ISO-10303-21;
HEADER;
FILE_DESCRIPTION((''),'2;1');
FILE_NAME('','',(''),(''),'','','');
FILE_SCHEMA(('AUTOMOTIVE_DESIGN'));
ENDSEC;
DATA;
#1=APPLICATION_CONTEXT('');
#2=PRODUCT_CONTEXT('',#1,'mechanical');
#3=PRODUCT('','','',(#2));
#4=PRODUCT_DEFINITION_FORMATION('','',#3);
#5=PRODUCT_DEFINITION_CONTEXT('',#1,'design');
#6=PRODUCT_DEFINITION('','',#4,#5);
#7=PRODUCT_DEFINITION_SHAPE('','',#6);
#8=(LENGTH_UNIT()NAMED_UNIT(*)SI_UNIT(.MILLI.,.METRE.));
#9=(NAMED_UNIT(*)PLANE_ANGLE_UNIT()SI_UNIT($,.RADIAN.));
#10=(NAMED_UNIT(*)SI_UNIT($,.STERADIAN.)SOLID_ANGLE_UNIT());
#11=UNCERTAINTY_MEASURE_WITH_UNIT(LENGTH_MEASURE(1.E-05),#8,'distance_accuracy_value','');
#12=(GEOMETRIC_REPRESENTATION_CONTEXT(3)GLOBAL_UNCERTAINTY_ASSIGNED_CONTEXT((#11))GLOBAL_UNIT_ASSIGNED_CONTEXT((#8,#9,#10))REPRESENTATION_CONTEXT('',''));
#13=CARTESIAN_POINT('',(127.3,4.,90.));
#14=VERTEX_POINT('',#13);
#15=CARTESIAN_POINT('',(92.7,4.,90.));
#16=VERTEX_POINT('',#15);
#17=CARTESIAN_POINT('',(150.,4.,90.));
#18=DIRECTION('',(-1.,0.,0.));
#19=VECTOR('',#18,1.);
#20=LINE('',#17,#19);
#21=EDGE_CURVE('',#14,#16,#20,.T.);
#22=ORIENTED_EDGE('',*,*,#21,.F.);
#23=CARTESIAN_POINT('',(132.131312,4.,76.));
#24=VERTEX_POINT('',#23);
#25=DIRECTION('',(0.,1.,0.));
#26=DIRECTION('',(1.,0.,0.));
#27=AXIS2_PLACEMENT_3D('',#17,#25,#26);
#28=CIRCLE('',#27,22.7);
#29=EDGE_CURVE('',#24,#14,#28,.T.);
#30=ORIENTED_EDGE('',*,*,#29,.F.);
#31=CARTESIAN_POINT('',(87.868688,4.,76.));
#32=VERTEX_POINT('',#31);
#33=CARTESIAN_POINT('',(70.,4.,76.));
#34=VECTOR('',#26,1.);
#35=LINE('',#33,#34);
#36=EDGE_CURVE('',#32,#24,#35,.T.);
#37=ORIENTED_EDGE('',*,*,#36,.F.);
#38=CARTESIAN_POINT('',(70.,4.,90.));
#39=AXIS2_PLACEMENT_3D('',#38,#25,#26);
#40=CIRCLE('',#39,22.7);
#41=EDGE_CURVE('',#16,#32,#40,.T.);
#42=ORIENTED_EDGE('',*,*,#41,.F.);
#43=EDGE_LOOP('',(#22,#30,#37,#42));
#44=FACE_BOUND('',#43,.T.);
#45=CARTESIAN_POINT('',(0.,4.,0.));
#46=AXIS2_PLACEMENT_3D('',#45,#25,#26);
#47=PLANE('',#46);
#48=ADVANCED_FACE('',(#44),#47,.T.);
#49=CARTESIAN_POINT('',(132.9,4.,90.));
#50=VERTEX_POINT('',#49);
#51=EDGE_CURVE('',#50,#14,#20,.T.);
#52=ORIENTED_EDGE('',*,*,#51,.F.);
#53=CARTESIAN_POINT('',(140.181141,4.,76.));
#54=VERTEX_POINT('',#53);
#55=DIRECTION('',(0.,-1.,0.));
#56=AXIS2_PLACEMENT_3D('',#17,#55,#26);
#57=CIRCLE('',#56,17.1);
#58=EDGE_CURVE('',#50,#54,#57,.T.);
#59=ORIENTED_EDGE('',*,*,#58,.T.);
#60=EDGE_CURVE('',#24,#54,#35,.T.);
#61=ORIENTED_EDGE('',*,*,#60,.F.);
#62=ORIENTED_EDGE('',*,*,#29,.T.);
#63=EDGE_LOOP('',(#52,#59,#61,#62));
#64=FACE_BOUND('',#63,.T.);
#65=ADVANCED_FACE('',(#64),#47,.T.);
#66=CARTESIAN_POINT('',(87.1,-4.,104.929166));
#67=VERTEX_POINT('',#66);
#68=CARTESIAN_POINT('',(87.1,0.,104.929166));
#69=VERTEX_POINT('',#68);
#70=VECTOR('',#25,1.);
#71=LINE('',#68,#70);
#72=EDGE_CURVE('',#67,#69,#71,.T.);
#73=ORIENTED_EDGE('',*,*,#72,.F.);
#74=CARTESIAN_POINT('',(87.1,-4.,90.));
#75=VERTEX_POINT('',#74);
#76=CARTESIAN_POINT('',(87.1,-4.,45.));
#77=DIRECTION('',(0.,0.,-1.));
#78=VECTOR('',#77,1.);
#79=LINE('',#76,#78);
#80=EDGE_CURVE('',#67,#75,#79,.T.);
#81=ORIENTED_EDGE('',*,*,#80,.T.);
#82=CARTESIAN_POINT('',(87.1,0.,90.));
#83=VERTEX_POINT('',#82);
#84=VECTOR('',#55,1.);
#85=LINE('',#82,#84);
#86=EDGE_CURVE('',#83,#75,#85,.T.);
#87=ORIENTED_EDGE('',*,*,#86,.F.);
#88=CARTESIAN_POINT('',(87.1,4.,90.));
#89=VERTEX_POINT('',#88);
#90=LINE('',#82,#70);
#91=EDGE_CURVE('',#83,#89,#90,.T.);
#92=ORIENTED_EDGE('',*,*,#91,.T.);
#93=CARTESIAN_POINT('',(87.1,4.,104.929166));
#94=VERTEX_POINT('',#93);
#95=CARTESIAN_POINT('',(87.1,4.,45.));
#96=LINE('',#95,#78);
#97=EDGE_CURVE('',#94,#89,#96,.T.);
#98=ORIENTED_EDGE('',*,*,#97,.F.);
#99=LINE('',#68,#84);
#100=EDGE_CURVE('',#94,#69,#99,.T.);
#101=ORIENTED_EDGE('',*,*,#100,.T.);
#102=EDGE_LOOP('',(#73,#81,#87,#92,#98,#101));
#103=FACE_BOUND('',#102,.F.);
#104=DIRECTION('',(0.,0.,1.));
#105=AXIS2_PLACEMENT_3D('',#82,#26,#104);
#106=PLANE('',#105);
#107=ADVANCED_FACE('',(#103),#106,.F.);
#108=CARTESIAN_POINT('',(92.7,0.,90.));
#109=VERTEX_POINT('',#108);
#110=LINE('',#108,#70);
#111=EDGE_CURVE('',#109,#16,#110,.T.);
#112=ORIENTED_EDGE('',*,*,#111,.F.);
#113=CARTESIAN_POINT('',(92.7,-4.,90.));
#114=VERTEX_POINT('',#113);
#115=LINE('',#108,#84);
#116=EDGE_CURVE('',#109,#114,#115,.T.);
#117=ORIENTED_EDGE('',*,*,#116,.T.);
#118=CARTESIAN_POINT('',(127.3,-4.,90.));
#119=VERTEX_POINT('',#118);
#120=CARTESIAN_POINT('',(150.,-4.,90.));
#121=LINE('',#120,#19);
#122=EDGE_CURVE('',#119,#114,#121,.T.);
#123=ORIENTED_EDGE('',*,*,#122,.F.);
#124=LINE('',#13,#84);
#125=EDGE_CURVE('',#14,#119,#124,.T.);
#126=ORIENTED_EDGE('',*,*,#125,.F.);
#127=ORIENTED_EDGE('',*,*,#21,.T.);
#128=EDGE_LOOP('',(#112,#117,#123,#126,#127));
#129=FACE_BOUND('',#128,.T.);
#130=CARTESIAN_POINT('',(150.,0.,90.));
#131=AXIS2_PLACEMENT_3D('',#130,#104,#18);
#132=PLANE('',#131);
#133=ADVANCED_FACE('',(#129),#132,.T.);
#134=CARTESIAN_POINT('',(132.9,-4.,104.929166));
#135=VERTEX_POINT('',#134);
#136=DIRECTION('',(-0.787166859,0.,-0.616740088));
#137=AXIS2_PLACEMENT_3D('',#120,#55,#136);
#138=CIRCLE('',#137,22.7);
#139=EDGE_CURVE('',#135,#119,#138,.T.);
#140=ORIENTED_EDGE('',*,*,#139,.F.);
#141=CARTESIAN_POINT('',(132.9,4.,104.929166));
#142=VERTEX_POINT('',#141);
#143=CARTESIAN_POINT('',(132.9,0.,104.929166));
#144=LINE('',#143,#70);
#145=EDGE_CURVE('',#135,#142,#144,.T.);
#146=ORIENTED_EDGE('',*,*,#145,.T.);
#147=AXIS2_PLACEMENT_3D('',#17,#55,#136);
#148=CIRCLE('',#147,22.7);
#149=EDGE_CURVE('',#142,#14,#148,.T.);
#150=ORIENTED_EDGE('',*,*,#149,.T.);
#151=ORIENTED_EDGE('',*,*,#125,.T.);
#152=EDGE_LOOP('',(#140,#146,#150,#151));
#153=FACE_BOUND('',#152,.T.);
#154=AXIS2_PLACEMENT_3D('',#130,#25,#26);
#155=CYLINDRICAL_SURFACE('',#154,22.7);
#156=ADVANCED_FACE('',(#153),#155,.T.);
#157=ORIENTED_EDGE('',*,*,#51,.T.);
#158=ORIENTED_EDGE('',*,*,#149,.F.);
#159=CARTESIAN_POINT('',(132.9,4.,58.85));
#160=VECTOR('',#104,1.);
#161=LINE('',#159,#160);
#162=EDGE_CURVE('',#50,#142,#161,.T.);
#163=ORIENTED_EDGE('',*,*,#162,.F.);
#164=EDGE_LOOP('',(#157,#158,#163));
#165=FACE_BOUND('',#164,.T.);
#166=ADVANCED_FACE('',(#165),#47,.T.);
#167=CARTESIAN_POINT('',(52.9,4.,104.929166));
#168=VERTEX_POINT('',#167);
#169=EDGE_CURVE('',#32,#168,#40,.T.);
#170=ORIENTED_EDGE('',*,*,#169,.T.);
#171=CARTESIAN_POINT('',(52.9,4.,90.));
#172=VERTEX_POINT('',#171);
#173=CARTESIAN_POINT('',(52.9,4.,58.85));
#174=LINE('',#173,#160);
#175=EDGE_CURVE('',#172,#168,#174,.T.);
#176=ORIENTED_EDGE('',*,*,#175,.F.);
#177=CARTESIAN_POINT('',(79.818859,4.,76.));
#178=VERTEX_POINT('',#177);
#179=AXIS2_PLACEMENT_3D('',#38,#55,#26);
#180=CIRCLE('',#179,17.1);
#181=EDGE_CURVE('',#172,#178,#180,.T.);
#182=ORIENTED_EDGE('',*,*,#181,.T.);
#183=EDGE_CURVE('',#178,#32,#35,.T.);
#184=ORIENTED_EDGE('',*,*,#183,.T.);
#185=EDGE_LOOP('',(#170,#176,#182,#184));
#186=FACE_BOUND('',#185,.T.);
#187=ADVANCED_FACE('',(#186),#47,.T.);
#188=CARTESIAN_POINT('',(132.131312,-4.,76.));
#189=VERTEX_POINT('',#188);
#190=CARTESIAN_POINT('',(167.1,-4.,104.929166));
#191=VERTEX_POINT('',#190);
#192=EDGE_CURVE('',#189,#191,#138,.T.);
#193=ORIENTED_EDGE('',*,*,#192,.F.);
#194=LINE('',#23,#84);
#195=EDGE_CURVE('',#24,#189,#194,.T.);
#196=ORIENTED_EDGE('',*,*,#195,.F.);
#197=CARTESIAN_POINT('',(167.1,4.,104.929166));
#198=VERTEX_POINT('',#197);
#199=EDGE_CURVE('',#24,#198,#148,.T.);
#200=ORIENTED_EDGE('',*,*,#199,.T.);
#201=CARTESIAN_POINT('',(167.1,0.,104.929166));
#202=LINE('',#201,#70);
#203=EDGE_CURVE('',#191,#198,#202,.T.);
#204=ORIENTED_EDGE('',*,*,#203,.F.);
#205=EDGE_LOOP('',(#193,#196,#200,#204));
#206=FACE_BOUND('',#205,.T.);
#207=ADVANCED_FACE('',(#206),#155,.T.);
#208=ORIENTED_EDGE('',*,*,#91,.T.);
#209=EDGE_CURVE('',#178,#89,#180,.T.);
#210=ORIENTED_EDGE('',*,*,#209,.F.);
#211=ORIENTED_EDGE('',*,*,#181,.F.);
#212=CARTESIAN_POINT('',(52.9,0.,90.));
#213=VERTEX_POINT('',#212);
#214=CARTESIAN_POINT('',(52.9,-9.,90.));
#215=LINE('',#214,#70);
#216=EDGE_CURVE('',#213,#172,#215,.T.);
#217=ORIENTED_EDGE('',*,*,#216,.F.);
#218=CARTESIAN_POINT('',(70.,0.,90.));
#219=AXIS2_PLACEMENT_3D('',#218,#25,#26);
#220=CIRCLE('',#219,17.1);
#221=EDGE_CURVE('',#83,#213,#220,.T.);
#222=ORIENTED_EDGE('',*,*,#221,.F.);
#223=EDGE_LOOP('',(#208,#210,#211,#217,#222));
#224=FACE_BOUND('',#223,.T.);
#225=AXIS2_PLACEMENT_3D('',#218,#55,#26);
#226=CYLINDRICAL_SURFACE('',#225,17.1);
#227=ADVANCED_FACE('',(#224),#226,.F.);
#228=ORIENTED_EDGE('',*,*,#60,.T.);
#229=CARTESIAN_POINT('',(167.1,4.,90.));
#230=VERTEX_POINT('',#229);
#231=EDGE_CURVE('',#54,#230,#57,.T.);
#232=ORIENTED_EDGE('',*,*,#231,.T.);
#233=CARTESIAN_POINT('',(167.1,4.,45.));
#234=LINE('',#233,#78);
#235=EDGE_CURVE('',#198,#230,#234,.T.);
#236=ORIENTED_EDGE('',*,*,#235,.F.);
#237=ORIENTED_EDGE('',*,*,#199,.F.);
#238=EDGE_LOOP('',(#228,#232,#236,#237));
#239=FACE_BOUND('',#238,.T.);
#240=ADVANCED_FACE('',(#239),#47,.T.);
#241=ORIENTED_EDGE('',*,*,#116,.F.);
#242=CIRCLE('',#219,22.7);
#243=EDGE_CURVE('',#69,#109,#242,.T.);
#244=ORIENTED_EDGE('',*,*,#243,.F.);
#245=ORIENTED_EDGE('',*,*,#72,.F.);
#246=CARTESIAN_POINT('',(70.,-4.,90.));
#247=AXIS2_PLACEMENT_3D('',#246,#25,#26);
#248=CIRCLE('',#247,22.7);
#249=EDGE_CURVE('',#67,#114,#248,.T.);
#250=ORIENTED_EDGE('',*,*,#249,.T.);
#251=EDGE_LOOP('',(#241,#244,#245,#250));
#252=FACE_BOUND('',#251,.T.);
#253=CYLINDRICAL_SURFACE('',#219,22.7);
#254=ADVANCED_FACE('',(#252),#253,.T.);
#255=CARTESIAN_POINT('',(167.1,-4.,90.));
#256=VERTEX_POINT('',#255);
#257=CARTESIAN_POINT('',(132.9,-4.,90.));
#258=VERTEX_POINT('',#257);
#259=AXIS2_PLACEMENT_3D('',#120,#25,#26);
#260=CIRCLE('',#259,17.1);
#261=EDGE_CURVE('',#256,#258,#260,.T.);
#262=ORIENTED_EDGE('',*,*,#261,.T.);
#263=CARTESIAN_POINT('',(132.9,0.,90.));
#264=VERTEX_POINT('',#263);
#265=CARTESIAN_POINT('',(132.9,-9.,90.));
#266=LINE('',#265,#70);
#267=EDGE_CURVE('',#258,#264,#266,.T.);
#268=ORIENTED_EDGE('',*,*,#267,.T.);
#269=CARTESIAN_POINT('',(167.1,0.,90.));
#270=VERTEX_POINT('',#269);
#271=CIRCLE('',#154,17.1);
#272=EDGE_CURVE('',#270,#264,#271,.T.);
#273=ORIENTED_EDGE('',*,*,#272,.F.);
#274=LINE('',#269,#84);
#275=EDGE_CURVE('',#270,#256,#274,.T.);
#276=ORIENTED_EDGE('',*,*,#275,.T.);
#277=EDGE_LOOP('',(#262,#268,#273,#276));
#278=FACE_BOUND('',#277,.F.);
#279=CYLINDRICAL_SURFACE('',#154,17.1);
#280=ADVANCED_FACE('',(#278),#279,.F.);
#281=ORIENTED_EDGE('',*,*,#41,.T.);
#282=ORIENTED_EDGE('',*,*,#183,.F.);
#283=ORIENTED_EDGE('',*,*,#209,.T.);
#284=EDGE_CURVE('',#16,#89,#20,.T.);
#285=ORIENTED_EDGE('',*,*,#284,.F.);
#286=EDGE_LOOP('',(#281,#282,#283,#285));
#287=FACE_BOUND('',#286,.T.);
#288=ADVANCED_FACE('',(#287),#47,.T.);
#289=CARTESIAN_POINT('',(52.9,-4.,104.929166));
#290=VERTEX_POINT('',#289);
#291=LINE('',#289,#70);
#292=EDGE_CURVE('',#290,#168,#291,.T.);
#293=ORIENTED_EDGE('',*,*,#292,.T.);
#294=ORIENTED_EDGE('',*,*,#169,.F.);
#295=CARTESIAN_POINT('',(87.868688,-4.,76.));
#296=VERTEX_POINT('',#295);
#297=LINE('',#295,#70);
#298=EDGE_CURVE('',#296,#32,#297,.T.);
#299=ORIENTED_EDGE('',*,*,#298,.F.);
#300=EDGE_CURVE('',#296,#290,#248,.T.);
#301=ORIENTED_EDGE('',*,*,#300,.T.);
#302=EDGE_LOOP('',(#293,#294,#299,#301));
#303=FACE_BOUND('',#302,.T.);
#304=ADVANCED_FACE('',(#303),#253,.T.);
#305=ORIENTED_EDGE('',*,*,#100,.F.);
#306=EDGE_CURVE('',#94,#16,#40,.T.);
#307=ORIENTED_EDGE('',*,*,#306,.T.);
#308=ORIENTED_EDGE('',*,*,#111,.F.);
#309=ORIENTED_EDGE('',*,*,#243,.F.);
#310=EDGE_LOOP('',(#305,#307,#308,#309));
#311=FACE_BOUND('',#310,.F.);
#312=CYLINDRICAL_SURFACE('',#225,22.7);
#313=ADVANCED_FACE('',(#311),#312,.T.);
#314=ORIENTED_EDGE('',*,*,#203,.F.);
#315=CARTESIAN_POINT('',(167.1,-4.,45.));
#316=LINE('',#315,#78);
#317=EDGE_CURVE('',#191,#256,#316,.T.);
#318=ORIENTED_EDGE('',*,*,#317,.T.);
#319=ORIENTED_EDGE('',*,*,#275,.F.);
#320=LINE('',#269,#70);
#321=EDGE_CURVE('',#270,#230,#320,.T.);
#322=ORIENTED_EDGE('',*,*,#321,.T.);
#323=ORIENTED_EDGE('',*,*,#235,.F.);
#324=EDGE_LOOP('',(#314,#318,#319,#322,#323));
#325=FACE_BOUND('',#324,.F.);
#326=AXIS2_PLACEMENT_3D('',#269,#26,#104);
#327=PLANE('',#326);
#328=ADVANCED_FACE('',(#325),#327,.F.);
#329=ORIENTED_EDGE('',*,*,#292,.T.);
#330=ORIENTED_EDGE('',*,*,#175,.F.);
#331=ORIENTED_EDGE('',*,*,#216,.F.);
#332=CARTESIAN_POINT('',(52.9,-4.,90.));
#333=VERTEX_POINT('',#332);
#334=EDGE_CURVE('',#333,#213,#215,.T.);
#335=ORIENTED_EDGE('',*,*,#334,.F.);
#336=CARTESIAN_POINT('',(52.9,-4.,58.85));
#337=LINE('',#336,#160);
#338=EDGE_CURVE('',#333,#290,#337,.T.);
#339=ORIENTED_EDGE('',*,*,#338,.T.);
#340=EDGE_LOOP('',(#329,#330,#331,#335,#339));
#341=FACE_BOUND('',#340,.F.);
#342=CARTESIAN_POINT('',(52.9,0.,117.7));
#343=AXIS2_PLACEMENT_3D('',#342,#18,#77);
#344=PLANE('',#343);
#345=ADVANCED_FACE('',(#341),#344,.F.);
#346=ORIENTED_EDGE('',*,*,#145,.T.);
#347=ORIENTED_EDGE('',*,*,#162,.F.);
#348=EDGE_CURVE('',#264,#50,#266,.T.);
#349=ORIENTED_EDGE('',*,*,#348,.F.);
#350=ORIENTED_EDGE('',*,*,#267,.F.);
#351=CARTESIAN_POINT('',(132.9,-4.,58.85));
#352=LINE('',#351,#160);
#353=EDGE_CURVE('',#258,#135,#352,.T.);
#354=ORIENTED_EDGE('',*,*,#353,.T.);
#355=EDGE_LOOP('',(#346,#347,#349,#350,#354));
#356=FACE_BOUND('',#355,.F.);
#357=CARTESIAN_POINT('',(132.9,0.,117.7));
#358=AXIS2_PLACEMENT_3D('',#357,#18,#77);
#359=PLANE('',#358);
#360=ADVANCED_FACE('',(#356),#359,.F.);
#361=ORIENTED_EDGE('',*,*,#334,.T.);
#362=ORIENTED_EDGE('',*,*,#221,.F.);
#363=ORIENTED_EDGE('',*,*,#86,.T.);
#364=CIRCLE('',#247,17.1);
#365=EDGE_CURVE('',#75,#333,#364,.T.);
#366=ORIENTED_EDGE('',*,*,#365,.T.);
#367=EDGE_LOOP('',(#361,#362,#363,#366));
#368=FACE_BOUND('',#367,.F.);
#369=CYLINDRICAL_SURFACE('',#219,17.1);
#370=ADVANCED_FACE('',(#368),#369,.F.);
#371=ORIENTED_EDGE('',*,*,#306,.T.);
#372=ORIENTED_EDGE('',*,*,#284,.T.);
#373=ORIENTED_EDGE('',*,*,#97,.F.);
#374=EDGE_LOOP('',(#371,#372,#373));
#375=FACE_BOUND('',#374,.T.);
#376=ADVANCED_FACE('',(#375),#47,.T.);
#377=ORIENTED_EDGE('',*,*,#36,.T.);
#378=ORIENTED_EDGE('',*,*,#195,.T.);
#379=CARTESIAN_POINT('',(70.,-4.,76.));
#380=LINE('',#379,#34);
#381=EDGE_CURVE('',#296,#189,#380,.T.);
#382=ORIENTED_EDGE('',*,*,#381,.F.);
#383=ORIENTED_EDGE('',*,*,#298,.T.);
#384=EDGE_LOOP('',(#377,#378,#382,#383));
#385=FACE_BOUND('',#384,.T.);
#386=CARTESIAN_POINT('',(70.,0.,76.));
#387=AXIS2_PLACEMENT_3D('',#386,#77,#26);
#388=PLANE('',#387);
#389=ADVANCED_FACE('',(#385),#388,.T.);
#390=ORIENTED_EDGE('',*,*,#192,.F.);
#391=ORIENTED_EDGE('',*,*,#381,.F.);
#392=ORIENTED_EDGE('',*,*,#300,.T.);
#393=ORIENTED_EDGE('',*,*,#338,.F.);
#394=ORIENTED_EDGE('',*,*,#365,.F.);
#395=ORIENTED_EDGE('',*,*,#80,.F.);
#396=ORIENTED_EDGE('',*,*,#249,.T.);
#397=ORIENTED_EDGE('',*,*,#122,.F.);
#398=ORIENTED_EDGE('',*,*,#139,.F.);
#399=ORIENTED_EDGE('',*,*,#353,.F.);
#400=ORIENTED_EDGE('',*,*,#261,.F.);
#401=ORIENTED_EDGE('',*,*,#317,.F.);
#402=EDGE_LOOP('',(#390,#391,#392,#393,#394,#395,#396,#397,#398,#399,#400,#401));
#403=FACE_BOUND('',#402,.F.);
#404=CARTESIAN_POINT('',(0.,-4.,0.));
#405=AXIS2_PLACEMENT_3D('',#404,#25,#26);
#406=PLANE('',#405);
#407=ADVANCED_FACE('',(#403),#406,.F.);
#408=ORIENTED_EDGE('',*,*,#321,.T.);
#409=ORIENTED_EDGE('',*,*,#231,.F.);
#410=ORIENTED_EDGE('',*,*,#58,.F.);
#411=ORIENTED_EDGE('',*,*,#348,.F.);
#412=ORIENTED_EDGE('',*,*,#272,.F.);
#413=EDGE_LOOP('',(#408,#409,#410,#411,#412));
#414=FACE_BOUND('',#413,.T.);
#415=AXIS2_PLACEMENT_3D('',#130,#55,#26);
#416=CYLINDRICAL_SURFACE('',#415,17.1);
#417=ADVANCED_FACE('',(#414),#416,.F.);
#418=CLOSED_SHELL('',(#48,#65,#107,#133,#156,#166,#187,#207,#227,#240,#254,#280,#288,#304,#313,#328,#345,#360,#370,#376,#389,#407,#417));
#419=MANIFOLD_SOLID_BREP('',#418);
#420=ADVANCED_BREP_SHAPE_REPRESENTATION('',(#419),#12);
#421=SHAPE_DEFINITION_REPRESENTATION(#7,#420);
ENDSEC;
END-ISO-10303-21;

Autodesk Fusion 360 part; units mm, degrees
sketch "Coupon chord" plane through (0, 0, 0) normal (0, 1, 0) x (1, 0, 0)
  line L0 (70, -76) -> (150, -76)
  line L1 (150, -76) -> (150, -90)
  line L2 (150, -90) -> (70, -90)
  line L3 (70, -90) -> (70, -76)
  dimension "d52" = 70
  dimension "d53" = 76
  dimension "d55" = 90
extrude "Coupon chord (1)" add sketch "Coupon chord" along normal mid plane 8
sketch "Saddle boss x=70" plane through (0, 0, 0) normal (0, 1, 0) x (1, 0, 0)
  circle A0 centre (70, -90) radius 22.7
  dimension "d58" = 70
  dimension "d59" = 90
  dimension "d60" = 45.4
extrude "Saddle boss x=70 (1)" add sketch "Saddle boss x=70" along normal mid plane 8
sketch "Saddle boss x=150" plane through (0, 0, 0) normal (0, 1, 0) x (1, 0, 0)
  circle A0 centre (150, -90) radius 22.7
  dimension "d64" = 90
  dimension "d65" = 45.4
extrude "Saddle boss x=150 (1)" add sketch "Saddle boss x=150" along normal mid plane 8
sketch "Rod pocket x=70" plane through (0, 0, 0) normal (0, 1, 0) x (1, 0, 0)
  circle A0 centre (70, -90) radius 17.1
  dimension "d68" = 70
  dimension "d69" = 90
  dimension "d70" = 34.2
extrude "Rod pocket x=70 (1)" cut sketch "Rod pocket x=70" along normal mid plane 18
sketch "Drop-in opening x=70" plane through (0, 0, 0) normal (0, 1, 0) x (1, 0, 0)
  line L0 (52.9, -90) -> (87.1, -90)
  line L1 (87.1, -90) -> (87.1, -117.7)
  line L2 (87.1, -117.7) -> (52.9, -117.7)
  line L3 (52.9, -117.7) -> (52.9, -90)
  dimension "d73" = 52.9
  dimension "d74" = 90
  dimension "d75" = 87.1
  dimension "d76" = 117.7
extrude "Drop-in opening x=70 (1)" cut sketch "Drop-in opening x=70" along normal mid plane 18
sketch "Rod pocket x=150" plane through (0, 0, 0) normal (0, 1, 0) x (1, 0, 0)
  circle A0 centre (150, -90) radius 17.1
  dimension "d80" = 90
  dimension "d81" = 34.2
extrude "Rod pocket x=150 (1)" cut sketch "Rod pocket x=150" along normal mid plane 18
sketch "Drop-in opening x=150" plane through (0, 0, 0) normal (0, 1, 0) x (1, 0, 0)
  line L0 (132.9, -90) -> (167.1, -90)
  line L1 (167.1, -90) -> (167.1, -117.7)
  line L2 (167.1, -117.7) -> (132.9, -117.7)
  line L3 (132.9, -117.7) -> (132.9, -90)
  dimension "d84" = 132.9
  dimension "d85" = 90
  dimension "d86" = 167.1
  dimension "d87" = 117.7
extrude "Drop-in opening x=150 (1)" cut sketch "Drop-in opening x=150" along normal mid plane 18
equation "couponWidth = 8.0 mm" comment "coupon slice width"
equation "plateHeight = 90.0 mm" comment "rod height, as the bracket"
equation "rodOuterDiameter = 33.4 mm" comment "1 inch sch 40 PVC"
equation "saddleClearance = 0.8 mm" comment "diametral pocket clearance"
equation "saddleWall = 6.0 mm" comment "wall around the rod pocket"
equation "rearRodStandoff = 70.0 mm" comment "rear rod, from the upright"
equation "rodSpacing = 80.0 mm" comment "rod centres, front minus rear"
equation "memberWidth = 14.0 mm" comment "chord depth joining the saddles"
equation "d52 = rearRodStandoff"
equation "d53 = plateHeight - memberWidth"
equation "d54 = ( rearRodStandoff + rodSpacing )"
equation "d55 = plateHeight"
equation "d56 = couponWidth"
equation "d58 = rearRodStandoff"
equation "d59 = plateHeight"
equation "d60 = rodOuterDiameter + 2 * saddleWall"
equation "d61 = couponWidth"
equation "d63 = ( rearRodStandoff + rodSpacing )"
equation "d64 = plateHeight"
equation "d65 = rodOuterDiameter + 2 * saddleWall"
equation "d66 = couponWidth"
equation "d68 = rearRodStandoff"
equation "d69 = plateHeight"
equation "d70 = rodOuterDiameter + saddleClearance"
equation "d71 = couponWidth + 10 mm"
equation "d73 = rearRodStandoff - ( rodOuterDiameter + saddleClearance ) / 2"
equation "d74 = plateHeight"
equation "d75 = rearRodStandoff + ( rodOuterDiameter + saddleClearance ) / 2"
equation "d76 = plateHeight + ( rodOuterDiameter + 2 * saddleWall ) / 2 + 5 mm"
equation "d77 = couponWidth + 10 mm"
equation "d79 = ( rearRodStandoff + rodSpacing )"
equation "d80 = plateHeight"
equation "d81 = rodOuterDiameter + saddleClearance"
equation "d82 = couponWidth + 10 mm"
equation "d84 = ( rearRodStandoff + rodSpacing ) - ( rodOuterDiameter + saddleClearance ) / 2"
equation "d85 = plateHeight"
equation "d86 = ( rearRodStandoff + rodSpacing ) + ( rodOuterDiameter + saddleClearance ) / 2"
equation "d87 = plateHeight + ( rodOuterDiameter + 2 * saddleWall ) / 2 + 5 mm"
equation "d88 = couponWidth + 10 mm"
